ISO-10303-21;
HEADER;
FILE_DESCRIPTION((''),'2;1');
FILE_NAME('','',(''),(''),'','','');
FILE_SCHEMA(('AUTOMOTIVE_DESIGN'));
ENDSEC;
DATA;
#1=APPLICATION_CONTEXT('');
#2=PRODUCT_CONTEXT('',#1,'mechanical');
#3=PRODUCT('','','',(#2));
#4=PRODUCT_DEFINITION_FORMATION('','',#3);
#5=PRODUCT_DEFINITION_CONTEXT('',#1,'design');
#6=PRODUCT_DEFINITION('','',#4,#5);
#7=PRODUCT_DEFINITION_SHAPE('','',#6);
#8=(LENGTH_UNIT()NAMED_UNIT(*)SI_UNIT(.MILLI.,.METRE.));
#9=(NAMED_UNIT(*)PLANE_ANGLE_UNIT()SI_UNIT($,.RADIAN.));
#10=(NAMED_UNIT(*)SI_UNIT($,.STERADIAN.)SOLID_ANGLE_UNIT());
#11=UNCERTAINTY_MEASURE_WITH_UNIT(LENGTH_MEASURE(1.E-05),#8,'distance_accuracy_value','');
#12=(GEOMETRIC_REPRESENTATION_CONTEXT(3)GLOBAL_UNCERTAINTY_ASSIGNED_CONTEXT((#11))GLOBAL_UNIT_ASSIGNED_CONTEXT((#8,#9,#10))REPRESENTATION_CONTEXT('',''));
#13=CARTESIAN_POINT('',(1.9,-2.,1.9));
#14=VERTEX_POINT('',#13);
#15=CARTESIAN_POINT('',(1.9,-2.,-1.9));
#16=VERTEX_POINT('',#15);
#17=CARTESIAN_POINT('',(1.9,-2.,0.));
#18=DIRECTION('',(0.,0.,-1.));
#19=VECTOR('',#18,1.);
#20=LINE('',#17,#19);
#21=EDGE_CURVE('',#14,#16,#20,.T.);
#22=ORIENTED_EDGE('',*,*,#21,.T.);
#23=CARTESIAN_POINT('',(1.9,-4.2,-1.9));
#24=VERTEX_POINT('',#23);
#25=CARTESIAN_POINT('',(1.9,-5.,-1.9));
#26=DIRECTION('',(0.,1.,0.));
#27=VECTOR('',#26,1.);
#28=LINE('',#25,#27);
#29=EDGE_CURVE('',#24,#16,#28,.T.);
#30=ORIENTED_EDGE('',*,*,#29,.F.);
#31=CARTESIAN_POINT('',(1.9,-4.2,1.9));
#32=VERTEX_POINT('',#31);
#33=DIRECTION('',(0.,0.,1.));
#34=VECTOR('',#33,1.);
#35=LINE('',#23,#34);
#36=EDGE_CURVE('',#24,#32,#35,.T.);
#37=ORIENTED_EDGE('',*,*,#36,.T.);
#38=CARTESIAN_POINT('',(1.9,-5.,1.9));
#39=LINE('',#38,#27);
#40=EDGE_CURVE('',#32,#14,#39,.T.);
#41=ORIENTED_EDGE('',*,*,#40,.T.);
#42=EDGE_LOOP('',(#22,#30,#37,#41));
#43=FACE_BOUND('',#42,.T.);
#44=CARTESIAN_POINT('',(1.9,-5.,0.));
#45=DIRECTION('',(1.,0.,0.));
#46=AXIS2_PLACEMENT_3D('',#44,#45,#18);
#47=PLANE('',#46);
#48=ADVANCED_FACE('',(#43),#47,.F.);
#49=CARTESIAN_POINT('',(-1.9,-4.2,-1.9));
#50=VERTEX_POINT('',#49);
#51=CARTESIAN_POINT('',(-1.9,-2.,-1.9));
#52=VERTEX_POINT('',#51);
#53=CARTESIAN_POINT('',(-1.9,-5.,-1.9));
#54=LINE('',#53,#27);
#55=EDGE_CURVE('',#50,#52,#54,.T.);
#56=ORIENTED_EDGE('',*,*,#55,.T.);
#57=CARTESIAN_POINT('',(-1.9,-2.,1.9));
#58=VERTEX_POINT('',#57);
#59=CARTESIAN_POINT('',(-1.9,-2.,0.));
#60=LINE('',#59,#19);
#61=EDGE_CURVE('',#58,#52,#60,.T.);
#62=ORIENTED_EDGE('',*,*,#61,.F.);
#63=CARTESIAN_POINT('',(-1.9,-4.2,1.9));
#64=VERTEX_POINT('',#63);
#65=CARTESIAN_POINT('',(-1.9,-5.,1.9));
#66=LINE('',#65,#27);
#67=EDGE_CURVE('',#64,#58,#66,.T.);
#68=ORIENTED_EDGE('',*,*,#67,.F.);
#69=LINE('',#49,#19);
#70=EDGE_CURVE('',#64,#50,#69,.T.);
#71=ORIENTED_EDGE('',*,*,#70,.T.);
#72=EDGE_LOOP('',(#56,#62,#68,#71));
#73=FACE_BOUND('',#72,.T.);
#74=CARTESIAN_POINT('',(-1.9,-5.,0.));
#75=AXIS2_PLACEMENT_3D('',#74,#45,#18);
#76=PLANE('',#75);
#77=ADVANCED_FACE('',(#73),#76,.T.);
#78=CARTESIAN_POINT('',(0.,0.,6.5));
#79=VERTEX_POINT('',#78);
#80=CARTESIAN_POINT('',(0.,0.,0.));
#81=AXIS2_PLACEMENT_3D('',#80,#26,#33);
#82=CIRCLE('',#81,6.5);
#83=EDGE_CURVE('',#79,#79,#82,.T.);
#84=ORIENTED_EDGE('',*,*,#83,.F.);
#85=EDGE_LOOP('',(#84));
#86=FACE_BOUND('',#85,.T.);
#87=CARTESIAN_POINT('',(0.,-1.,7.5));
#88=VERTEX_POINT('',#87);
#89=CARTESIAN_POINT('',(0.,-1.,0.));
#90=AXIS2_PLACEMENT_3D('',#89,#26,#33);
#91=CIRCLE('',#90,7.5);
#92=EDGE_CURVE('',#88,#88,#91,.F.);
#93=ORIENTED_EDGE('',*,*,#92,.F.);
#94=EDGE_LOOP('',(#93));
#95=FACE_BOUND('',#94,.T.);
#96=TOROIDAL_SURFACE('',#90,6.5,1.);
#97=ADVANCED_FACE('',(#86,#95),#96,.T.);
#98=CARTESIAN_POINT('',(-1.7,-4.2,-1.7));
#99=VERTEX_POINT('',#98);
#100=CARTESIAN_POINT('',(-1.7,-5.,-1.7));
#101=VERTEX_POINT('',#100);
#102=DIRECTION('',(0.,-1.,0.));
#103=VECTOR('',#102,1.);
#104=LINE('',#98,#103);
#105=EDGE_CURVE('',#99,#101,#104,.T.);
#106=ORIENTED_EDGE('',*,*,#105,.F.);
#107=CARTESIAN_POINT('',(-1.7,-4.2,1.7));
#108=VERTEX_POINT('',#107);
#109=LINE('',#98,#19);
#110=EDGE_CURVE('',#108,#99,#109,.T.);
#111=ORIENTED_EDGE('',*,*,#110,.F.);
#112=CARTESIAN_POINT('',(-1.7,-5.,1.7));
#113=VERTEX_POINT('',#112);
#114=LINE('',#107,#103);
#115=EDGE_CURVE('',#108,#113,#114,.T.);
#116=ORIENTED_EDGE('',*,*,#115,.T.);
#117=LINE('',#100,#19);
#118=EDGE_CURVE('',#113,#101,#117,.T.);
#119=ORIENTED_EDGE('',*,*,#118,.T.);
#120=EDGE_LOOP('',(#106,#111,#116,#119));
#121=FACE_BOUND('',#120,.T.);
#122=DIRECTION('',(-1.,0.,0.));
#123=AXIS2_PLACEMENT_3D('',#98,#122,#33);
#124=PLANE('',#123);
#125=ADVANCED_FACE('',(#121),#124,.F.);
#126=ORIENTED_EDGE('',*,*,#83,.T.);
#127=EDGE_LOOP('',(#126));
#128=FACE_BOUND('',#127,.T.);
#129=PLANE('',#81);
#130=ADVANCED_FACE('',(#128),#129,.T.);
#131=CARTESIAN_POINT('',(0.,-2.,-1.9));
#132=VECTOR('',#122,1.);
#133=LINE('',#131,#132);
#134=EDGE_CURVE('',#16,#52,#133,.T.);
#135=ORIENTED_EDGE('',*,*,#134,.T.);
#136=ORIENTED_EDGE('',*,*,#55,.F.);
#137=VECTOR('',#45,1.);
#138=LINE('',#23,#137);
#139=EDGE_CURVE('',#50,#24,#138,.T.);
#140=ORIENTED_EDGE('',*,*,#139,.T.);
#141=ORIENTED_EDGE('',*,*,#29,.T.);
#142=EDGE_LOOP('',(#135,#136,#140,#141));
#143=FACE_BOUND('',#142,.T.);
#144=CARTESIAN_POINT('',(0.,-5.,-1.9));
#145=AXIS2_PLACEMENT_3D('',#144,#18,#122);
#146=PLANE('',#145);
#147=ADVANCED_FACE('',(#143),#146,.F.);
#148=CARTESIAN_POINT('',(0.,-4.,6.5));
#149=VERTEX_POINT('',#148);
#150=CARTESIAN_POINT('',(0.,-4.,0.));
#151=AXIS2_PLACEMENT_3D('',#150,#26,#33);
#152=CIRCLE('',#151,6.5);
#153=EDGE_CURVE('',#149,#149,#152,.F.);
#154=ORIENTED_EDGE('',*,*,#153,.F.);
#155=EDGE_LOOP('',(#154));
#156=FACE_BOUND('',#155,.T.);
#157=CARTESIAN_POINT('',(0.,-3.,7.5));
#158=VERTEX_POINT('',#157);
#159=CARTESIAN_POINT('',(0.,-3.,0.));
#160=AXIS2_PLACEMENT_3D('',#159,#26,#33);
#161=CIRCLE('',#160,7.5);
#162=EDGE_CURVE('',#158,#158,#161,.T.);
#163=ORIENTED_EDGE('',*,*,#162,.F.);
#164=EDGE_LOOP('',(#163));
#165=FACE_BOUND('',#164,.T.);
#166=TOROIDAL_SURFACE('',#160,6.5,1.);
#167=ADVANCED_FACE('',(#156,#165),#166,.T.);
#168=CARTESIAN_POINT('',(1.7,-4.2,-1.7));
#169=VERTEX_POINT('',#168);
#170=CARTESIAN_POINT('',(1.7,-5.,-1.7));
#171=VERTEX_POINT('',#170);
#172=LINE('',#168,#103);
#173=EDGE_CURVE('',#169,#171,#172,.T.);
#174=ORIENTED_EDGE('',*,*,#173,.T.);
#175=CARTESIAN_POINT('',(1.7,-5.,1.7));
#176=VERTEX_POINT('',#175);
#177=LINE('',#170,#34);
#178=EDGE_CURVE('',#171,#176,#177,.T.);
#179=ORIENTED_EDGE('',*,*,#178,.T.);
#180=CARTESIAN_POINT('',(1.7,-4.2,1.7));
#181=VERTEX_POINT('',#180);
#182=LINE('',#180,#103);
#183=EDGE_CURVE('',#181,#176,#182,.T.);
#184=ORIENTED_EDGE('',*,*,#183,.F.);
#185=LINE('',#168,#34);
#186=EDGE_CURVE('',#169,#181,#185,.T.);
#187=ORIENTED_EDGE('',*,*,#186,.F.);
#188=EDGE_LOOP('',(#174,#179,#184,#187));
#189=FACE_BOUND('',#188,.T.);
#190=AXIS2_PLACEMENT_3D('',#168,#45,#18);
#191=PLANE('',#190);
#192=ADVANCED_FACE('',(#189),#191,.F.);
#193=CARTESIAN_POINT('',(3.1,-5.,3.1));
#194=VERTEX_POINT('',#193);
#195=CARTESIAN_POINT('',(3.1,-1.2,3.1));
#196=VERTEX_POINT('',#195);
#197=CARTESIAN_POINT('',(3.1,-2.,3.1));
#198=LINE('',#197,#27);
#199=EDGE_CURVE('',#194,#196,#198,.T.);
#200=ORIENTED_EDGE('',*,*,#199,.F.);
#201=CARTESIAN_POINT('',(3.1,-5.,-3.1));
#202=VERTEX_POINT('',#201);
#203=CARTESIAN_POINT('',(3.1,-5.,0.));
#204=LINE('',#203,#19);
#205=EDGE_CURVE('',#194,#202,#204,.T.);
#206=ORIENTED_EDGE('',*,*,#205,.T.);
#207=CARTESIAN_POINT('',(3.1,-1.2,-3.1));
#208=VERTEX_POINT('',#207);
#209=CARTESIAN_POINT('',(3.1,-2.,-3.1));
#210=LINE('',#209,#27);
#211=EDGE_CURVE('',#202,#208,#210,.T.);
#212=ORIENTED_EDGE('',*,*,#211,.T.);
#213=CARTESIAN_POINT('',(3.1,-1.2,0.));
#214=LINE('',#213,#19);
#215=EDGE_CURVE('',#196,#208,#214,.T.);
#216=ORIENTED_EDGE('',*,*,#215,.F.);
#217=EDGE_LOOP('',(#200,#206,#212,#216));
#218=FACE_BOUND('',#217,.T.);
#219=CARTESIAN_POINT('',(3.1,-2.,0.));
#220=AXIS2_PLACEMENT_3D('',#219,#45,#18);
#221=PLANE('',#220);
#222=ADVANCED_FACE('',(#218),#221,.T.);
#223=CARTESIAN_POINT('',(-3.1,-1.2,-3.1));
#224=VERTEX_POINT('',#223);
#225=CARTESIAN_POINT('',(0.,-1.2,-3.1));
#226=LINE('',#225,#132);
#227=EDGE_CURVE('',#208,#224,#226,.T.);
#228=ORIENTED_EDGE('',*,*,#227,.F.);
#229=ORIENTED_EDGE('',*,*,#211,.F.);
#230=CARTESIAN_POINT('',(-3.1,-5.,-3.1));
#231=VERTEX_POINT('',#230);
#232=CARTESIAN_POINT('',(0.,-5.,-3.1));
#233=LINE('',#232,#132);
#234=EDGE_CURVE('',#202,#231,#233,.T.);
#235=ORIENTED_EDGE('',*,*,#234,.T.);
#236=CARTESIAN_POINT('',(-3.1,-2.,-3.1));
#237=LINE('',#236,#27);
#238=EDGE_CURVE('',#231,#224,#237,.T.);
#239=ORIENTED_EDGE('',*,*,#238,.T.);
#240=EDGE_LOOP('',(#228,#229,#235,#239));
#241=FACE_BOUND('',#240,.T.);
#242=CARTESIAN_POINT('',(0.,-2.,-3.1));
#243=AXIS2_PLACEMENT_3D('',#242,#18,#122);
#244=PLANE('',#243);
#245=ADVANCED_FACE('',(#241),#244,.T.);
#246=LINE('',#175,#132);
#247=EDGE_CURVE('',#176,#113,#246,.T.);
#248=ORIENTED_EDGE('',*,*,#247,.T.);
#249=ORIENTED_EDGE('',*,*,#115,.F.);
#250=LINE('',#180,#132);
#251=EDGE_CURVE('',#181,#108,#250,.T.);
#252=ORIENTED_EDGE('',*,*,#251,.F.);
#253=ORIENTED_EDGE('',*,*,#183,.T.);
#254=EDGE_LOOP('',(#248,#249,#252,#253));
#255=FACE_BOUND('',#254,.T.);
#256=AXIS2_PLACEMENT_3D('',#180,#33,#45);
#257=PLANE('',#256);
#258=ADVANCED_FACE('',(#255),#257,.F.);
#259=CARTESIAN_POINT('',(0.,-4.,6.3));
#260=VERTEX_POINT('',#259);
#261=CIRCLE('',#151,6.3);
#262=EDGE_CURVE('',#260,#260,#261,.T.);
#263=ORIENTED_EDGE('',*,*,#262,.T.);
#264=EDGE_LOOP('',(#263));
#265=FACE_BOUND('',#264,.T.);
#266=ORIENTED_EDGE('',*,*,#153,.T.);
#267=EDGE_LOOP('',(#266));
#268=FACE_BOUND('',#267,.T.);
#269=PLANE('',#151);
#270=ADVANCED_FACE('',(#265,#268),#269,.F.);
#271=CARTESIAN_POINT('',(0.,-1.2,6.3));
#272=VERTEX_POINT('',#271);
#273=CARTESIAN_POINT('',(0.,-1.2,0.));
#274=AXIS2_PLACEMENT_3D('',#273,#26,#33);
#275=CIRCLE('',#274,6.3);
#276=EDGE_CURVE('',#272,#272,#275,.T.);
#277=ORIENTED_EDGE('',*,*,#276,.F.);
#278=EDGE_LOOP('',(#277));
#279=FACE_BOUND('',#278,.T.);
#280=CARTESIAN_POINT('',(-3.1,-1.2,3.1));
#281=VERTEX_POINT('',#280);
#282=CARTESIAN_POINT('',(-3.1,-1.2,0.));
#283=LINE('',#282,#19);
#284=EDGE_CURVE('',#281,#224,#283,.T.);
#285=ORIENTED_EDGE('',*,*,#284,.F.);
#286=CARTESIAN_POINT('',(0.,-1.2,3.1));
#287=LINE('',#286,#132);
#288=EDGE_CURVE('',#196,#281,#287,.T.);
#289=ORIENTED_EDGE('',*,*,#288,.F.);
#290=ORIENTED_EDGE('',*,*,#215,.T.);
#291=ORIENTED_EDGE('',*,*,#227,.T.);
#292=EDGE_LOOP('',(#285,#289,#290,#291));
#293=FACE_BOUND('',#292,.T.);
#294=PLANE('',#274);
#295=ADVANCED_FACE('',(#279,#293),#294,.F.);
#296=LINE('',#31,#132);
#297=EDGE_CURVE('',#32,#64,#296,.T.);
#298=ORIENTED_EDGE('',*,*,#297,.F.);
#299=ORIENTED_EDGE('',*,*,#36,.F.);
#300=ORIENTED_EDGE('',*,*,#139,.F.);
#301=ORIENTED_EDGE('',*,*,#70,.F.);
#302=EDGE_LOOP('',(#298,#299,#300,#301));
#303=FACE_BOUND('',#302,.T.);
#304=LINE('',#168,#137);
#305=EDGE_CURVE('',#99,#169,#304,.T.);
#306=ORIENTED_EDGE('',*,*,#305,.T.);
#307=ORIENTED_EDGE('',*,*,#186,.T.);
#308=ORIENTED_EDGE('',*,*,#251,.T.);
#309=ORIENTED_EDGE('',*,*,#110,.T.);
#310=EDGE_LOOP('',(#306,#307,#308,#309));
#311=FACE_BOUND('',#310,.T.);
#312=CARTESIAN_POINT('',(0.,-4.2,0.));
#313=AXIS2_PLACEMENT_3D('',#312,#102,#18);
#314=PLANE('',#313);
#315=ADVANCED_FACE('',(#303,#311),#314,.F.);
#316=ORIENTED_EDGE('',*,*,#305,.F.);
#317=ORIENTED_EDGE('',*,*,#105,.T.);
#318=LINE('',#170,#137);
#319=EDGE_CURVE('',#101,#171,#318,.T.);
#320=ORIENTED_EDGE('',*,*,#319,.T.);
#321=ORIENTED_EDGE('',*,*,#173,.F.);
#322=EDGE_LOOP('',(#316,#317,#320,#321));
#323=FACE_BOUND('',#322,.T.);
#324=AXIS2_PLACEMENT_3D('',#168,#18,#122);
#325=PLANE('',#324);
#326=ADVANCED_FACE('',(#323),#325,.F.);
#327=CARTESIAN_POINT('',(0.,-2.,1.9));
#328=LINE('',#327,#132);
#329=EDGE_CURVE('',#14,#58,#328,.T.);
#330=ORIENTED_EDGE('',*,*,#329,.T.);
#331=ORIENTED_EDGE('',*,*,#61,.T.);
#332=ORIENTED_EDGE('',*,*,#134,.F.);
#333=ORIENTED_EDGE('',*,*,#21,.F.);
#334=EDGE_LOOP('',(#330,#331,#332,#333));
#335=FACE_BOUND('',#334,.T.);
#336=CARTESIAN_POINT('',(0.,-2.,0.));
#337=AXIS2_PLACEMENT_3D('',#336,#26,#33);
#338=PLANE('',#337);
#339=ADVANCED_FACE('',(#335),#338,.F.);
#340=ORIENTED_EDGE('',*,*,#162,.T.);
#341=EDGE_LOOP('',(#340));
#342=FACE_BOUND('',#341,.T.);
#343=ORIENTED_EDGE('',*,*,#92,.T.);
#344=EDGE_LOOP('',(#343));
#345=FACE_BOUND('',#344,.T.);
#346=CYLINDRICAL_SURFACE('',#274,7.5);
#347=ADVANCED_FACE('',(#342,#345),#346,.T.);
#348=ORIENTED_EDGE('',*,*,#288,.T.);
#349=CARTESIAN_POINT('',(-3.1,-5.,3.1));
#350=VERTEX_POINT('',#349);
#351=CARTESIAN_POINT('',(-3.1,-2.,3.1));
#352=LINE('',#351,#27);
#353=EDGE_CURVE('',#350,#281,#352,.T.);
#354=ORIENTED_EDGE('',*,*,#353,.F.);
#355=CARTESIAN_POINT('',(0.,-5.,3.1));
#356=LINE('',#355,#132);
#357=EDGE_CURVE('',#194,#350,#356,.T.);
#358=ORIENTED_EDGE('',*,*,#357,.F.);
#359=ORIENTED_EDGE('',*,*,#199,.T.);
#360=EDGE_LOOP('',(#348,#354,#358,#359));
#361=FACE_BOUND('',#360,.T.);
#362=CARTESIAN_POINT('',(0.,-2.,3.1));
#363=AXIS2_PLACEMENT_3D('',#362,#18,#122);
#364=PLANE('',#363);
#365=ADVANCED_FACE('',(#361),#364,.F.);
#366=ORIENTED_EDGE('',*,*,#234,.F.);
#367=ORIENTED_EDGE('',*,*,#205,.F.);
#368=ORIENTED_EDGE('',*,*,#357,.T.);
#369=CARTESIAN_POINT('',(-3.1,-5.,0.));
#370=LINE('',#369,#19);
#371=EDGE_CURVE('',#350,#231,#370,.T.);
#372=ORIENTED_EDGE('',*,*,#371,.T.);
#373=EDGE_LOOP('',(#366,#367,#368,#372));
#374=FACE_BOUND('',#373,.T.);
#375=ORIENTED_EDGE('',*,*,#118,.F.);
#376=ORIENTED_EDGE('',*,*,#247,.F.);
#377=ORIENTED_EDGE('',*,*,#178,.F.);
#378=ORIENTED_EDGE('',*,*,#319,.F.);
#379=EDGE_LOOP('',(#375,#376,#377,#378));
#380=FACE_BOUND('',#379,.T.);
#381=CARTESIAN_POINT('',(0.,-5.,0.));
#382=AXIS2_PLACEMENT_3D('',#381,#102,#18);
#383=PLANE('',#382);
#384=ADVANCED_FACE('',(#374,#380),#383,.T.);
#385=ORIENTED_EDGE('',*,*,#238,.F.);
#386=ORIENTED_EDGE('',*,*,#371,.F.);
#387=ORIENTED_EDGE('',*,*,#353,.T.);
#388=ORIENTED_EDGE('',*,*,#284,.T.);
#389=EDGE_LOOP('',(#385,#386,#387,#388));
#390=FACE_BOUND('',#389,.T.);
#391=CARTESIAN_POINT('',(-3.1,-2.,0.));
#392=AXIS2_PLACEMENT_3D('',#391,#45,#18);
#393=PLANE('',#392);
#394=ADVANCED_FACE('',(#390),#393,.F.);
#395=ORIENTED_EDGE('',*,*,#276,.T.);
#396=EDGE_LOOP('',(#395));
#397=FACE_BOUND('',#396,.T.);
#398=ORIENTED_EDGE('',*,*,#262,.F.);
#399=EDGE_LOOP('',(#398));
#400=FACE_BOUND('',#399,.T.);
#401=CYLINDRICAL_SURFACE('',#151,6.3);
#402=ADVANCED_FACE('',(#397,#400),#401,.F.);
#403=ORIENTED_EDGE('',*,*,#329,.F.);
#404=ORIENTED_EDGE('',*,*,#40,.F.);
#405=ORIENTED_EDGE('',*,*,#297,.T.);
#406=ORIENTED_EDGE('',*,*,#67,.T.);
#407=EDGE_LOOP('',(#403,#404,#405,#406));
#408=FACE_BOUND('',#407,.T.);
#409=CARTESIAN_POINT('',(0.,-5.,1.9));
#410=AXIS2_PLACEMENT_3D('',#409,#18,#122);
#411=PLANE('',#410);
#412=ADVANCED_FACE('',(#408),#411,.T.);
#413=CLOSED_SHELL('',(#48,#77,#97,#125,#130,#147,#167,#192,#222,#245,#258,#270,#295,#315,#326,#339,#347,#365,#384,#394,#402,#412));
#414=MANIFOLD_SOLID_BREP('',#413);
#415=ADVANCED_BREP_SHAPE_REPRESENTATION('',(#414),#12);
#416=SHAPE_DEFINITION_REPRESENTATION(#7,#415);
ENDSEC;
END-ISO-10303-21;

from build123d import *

# Parameters (mm, degrees)
SKETCH_1_R      = 7.5
EXTRUDE_1_DEPTH = 1.2
SKETCH_1_3_R    = 7.5
SKETCH_1_3_R_2  = 6.3
EXTRUDE_2_DEPTH = 4
SKETCH_1_5_W    = 6.2
SKETCH_1_5_H    = 6.2
EXTRUDE_3_DEPTH = 2
EXTRUDE_START   = -2
SKETCH_1_6_W    = 6.2
SKETCH_1_6_H    = 6.2
SKETCH_1_6_W_2  = 3.8
SKETCH_1_6_H_2  = 3.8
EXTRUDE_4_DEPTH = 3
FILLET_1_R      = 1
SKETCH_2_W      = 3.8
SKETCH_2_H      = 3.8
SKETCH_2_W_2    = 3.4
SKETCH_2_H_2    = 3.4
EXTRUDE_5_DEPTH = 0.8


with BuildPart() as part:
    # Эскиз1 → Бобышка-Вытянуть1 (new body)
    with BuildSketch(Plane(origin=(0, 0, 0), x_dir=(1, 0, 0), z_dir=(0, 1, 0))):
        Circle(SKETCH_1_R)
    extrude(amount=-EXTRUDE_1_DEPTH)

    # Эскиз1<3> → Бобышка-Вытянуть2 (add)
    with BuildSketch(Plane(origin=(0, 0, 0), x_dir=(1, 0, 0), z_dir=(0, 1, 0))):
        Circle(SKETCH_1_3_R)
        Circle(SKETCH_1_3_R_2, mode=Mode.SUBTRACT)
    extrude(amount=-EXTRUDE_2_DEPTH)

    # Эскиз1<5> → Бобышка-Вытянуть3 (add)
    with BuildSketch(Plane(origin=(0, 0, 0), x_dir=(1, 0, 0), z_dir=(0, 1, 0))):
        Rectangle(SKETCH_1_5_W, SKETCH_1_5_H)
    extrude(amount=-EXTRUDE_3_DEPTH)

    # Эскиз1<6> → Бобышка-Вытянуть4 (add)
    with BuildSketch(Plane(origin=(0, 0, 0), x_dir=(1, 0, 0), z_dir=(0, 1, 0)).offset(EXTRUDE_START)):
        Rectangle(SKETCH_1_6_W, SKETCH_1_6_H)
        Rectangle(SKETCH_1_6_W_2, SKETCH_1_6_H_2, mode=Mode.SUBTRACT)
    extrude(amount=-EXTRUDE_4_DEPTH)

    # Скругление1
    fillet_1_edges = [part.edges().sort_by_distance(p)[0] for p in [
        (-7.5, 0, 0),
        (-7.5, -4, 0),
    ]]
    fillet(fillet_1_edges, radius=FILLET_1_R)

    # Эскиз2 → Бобышка-Вытянуть5 (add)
    with BuildSketch(Plane.XZ.offset(5)):
        Rectangle(SKETCH_2_W, SKETCH_2_H)
        Rectangle(SKETCH_2_W_2, SKETCH_2_H_2, mode=Mode.SUBTRACT)
    extrude(amount=-EXTRUDE_5_DEPTH)


solid = part.part
